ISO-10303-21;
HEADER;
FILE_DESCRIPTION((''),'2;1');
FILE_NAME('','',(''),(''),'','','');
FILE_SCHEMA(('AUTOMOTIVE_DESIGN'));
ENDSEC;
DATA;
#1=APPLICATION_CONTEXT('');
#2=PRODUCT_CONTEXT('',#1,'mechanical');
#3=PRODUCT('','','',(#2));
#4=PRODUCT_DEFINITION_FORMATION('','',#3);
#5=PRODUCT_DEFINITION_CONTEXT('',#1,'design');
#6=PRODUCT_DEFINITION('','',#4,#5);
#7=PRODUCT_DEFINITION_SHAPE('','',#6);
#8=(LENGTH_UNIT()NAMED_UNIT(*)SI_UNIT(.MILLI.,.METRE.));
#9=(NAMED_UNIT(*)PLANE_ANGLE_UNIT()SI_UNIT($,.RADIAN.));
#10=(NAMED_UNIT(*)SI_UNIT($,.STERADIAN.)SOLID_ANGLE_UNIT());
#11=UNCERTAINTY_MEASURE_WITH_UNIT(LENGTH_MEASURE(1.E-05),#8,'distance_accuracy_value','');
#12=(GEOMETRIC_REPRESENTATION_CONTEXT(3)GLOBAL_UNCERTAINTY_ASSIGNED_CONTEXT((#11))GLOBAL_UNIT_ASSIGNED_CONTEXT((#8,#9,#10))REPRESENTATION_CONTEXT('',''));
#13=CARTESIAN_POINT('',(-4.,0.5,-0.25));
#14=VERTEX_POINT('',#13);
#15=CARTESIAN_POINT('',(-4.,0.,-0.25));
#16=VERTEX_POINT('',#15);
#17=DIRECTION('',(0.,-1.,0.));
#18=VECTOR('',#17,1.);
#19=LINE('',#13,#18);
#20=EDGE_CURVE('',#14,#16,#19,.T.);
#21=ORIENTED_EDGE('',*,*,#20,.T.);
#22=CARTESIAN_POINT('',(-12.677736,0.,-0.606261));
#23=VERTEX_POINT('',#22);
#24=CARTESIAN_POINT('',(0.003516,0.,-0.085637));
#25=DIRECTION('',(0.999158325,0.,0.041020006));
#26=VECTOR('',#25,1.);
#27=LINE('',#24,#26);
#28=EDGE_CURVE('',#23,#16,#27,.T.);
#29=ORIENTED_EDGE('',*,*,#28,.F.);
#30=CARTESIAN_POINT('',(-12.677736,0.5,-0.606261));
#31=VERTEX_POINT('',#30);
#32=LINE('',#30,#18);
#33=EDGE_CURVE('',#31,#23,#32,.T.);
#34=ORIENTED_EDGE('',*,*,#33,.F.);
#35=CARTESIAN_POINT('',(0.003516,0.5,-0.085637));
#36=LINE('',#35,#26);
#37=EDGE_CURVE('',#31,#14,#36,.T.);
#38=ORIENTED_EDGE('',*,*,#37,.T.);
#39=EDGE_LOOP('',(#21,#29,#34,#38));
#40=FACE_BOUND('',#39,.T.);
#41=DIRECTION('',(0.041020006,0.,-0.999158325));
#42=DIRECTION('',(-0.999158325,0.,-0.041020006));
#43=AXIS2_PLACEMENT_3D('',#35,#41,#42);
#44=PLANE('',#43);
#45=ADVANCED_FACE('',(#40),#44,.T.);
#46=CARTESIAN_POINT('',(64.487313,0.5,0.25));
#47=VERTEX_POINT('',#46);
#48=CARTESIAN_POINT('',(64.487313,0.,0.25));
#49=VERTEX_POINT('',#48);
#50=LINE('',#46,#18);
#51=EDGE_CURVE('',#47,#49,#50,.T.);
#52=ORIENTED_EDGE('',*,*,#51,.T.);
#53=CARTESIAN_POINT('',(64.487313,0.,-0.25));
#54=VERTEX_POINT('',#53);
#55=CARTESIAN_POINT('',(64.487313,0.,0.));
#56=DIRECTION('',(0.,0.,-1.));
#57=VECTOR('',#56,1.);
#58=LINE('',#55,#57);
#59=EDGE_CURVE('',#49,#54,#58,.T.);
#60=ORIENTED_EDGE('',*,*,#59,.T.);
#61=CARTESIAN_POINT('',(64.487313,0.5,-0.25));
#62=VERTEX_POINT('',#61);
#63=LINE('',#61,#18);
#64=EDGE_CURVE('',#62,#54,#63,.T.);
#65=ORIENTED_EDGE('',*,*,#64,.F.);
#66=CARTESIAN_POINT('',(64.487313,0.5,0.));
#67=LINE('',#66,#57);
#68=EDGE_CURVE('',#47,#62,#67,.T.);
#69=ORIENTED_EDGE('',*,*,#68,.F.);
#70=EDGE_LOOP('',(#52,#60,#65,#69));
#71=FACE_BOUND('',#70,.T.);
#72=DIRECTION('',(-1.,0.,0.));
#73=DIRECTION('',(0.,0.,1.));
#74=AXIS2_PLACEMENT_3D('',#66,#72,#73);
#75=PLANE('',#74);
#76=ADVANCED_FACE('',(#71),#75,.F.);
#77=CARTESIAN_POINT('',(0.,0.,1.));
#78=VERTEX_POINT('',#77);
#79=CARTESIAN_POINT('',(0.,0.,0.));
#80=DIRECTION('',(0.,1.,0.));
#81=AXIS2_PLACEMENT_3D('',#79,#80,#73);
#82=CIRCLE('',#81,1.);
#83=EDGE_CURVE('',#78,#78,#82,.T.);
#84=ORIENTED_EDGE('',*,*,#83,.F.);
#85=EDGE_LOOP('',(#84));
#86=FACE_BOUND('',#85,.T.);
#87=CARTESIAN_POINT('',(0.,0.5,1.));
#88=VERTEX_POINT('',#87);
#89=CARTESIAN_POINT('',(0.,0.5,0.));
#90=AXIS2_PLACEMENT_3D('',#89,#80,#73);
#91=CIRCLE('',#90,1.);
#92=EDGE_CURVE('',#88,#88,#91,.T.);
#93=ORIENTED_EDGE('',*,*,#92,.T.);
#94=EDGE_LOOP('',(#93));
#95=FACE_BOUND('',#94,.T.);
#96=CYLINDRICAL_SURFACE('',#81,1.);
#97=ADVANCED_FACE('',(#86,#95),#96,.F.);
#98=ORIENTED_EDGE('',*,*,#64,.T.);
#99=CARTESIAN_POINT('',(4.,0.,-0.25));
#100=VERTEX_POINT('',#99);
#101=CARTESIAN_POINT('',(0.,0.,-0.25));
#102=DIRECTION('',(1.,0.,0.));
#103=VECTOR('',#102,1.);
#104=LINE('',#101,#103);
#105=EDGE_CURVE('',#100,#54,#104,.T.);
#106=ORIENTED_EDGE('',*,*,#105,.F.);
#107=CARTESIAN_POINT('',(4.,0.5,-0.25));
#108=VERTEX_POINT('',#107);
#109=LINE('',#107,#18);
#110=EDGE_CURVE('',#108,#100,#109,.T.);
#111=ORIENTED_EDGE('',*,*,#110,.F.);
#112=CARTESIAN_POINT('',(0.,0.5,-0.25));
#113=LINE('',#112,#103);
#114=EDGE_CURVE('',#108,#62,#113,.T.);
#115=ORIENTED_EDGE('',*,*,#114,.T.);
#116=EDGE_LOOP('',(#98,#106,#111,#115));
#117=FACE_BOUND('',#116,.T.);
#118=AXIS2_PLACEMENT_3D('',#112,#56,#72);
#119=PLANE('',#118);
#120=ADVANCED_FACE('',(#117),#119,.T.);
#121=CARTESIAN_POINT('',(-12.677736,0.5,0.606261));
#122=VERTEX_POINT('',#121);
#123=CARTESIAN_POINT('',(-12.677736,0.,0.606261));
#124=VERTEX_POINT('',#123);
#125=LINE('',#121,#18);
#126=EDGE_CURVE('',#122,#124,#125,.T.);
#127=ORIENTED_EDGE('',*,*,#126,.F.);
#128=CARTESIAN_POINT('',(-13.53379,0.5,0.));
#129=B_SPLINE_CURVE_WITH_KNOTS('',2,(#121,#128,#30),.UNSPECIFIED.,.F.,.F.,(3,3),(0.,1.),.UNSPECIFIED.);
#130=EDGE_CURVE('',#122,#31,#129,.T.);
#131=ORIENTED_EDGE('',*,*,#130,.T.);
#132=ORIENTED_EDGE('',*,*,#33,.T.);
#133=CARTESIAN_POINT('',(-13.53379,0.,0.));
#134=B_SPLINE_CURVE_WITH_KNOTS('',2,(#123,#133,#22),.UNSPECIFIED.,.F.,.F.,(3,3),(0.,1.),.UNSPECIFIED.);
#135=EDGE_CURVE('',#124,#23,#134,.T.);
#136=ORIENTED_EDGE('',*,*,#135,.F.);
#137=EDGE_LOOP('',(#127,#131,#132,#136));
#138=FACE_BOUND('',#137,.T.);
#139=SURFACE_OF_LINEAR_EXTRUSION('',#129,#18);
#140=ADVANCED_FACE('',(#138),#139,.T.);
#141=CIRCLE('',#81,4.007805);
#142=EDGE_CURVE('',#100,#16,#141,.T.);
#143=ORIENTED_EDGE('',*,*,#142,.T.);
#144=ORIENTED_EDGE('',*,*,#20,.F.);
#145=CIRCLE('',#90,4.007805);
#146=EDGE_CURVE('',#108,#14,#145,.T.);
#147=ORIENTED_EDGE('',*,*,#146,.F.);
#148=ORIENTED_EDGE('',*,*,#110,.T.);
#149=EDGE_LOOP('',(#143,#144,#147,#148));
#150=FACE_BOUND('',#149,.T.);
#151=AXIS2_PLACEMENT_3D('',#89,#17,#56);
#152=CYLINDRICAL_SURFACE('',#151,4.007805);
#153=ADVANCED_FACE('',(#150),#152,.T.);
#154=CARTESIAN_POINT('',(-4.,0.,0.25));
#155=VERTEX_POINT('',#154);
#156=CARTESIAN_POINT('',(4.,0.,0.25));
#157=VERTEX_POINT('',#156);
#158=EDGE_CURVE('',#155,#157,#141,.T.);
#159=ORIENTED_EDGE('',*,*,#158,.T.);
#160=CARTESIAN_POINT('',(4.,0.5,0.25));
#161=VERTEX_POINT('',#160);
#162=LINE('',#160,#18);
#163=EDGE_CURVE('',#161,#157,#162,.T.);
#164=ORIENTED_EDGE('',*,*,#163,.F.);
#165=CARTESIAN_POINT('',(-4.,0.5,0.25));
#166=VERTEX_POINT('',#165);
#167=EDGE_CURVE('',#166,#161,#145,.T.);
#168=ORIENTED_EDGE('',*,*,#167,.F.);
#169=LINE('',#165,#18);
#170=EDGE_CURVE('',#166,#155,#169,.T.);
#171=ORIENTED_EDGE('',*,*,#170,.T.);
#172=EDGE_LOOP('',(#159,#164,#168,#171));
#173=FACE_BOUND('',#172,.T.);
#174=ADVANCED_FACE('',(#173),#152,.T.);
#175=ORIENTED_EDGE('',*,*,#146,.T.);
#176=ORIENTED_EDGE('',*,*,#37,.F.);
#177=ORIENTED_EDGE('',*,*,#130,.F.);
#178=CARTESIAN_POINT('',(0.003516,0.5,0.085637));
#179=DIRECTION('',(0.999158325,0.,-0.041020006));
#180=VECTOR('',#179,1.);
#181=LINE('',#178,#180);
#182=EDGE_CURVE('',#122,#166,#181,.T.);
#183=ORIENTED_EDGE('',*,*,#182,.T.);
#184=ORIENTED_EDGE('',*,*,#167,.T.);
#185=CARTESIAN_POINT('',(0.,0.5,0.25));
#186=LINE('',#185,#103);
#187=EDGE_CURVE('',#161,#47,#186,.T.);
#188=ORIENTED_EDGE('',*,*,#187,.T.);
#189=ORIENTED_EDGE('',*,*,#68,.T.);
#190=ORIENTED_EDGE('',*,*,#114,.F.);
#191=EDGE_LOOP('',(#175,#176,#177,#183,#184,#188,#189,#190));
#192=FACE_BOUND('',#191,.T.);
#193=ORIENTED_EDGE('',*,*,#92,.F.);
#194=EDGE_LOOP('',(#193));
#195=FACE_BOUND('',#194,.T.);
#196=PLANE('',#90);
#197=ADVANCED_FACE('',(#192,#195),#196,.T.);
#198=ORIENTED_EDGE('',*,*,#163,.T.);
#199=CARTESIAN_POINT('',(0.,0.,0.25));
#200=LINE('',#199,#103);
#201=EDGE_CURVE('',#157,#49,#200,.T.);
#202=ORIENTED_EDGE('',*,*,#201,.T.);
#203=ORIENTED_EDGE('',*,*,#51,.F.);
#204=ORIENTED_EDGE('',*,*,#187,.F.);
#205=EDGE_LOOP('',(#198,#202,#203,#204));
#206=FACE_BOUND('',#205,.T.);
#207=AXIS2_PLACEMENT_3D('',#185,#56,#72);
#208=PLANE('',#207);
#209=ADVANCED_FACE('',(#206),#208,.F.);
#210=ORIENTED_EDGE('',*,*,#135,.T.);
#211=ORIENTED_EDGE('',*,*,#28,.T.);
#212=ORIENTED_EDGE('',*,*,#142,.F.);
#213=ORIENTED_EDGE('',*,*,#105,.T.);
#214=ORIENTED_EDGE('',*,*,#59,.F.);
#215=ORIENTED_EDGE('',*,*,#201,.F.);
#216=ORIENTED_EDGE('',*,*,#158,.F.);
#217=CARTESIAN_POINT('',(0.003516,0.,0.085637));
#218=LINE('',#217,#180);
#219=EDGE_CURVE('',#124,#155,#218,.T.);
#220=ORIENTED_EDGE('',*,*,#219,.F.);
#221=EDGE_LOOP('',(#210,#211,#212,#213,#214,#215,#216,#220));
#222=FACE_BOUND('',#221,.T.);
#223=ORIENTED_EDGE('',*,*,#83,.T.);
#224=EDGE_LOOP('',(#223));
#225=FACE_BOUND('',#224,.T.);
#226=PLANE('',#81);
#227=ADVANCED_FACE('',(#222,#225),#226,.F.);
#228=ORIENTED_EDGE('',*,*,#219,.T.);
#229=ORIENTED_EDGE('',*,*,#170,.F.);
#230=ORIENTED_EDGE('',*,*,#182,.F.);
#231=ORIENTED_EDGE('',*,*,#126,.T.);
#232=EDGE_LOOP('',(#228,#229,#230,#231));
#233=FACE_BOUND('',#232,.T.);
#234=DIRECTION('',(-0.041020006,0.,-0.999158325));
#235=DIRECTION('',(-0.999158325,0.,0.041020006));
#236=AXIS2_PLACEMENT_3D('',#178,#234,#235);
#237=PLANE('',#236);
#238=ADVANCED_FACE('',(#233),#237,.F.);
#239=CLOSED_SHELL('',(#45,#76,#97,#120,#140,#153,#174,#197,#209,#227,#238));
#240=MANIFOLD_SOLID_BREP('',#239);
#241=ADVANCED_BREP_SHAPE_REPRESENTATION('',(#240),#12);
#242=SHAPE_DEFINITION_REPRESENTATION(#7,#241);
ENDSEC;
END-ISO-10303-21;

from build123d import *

# Parameters (mm, degrees)
BOSS_EXTRUDE2_DEPTH = 0.5
SKETCH3_R           = 1
CUT_EXTRUDE2_DEPTH  = 1.5000001


with BuildPart() as part:
    # Sketch1 → Boss-Extrude2 (new body)
    with BuildSketch(Plane(origin=(0, 0, 0), x_dir=(1, 0, 0), z_dir=(0, 1, 0))):
        with BuildLine():
            Line((64.487313154, 0.25), (4, 0.25))
            ThreePointArc((4, 0.25), (0, 4.007804885), (-4, 0.25))
            Line((-4, 0.25), (-12.67773598, 0.606260641))
            add(Edge.make_bspline(
                [(-12.67773598, -0.606260641), (-13.533789945, 0), (-12.67773598, 0.606260641)],
                knots=[0, 0, 0, 1, 1, 1], degree=2))
            Line((-12.67773598, -0.606260641), (-4, -0.25))
            ThreePointArc((-4, -0.25), (0, -4.007804885), (4, -0.25))
            Line((4, -0.25), (64.487313154, -0.25))
            Line((64.487313154, -0.25), (64.487313154, 0.25))
        make_face()
    extrude(amount=BOSS_EXTRUDE2_DEPTH)

    # Sketch3 → Cut-Extrude2 (cut, through all)
    with BuildSketch(Plane(origin=(0, 0.5, 0), x_dir=(1, 0, 0), z_dir=(0, 1, 0))):
        Circle(SKETCH3_R)
    extrude(amount=-CUT_EXTRUDE2_DEPTH, mode=Mode.SUBTRACT)


solid = part.part
